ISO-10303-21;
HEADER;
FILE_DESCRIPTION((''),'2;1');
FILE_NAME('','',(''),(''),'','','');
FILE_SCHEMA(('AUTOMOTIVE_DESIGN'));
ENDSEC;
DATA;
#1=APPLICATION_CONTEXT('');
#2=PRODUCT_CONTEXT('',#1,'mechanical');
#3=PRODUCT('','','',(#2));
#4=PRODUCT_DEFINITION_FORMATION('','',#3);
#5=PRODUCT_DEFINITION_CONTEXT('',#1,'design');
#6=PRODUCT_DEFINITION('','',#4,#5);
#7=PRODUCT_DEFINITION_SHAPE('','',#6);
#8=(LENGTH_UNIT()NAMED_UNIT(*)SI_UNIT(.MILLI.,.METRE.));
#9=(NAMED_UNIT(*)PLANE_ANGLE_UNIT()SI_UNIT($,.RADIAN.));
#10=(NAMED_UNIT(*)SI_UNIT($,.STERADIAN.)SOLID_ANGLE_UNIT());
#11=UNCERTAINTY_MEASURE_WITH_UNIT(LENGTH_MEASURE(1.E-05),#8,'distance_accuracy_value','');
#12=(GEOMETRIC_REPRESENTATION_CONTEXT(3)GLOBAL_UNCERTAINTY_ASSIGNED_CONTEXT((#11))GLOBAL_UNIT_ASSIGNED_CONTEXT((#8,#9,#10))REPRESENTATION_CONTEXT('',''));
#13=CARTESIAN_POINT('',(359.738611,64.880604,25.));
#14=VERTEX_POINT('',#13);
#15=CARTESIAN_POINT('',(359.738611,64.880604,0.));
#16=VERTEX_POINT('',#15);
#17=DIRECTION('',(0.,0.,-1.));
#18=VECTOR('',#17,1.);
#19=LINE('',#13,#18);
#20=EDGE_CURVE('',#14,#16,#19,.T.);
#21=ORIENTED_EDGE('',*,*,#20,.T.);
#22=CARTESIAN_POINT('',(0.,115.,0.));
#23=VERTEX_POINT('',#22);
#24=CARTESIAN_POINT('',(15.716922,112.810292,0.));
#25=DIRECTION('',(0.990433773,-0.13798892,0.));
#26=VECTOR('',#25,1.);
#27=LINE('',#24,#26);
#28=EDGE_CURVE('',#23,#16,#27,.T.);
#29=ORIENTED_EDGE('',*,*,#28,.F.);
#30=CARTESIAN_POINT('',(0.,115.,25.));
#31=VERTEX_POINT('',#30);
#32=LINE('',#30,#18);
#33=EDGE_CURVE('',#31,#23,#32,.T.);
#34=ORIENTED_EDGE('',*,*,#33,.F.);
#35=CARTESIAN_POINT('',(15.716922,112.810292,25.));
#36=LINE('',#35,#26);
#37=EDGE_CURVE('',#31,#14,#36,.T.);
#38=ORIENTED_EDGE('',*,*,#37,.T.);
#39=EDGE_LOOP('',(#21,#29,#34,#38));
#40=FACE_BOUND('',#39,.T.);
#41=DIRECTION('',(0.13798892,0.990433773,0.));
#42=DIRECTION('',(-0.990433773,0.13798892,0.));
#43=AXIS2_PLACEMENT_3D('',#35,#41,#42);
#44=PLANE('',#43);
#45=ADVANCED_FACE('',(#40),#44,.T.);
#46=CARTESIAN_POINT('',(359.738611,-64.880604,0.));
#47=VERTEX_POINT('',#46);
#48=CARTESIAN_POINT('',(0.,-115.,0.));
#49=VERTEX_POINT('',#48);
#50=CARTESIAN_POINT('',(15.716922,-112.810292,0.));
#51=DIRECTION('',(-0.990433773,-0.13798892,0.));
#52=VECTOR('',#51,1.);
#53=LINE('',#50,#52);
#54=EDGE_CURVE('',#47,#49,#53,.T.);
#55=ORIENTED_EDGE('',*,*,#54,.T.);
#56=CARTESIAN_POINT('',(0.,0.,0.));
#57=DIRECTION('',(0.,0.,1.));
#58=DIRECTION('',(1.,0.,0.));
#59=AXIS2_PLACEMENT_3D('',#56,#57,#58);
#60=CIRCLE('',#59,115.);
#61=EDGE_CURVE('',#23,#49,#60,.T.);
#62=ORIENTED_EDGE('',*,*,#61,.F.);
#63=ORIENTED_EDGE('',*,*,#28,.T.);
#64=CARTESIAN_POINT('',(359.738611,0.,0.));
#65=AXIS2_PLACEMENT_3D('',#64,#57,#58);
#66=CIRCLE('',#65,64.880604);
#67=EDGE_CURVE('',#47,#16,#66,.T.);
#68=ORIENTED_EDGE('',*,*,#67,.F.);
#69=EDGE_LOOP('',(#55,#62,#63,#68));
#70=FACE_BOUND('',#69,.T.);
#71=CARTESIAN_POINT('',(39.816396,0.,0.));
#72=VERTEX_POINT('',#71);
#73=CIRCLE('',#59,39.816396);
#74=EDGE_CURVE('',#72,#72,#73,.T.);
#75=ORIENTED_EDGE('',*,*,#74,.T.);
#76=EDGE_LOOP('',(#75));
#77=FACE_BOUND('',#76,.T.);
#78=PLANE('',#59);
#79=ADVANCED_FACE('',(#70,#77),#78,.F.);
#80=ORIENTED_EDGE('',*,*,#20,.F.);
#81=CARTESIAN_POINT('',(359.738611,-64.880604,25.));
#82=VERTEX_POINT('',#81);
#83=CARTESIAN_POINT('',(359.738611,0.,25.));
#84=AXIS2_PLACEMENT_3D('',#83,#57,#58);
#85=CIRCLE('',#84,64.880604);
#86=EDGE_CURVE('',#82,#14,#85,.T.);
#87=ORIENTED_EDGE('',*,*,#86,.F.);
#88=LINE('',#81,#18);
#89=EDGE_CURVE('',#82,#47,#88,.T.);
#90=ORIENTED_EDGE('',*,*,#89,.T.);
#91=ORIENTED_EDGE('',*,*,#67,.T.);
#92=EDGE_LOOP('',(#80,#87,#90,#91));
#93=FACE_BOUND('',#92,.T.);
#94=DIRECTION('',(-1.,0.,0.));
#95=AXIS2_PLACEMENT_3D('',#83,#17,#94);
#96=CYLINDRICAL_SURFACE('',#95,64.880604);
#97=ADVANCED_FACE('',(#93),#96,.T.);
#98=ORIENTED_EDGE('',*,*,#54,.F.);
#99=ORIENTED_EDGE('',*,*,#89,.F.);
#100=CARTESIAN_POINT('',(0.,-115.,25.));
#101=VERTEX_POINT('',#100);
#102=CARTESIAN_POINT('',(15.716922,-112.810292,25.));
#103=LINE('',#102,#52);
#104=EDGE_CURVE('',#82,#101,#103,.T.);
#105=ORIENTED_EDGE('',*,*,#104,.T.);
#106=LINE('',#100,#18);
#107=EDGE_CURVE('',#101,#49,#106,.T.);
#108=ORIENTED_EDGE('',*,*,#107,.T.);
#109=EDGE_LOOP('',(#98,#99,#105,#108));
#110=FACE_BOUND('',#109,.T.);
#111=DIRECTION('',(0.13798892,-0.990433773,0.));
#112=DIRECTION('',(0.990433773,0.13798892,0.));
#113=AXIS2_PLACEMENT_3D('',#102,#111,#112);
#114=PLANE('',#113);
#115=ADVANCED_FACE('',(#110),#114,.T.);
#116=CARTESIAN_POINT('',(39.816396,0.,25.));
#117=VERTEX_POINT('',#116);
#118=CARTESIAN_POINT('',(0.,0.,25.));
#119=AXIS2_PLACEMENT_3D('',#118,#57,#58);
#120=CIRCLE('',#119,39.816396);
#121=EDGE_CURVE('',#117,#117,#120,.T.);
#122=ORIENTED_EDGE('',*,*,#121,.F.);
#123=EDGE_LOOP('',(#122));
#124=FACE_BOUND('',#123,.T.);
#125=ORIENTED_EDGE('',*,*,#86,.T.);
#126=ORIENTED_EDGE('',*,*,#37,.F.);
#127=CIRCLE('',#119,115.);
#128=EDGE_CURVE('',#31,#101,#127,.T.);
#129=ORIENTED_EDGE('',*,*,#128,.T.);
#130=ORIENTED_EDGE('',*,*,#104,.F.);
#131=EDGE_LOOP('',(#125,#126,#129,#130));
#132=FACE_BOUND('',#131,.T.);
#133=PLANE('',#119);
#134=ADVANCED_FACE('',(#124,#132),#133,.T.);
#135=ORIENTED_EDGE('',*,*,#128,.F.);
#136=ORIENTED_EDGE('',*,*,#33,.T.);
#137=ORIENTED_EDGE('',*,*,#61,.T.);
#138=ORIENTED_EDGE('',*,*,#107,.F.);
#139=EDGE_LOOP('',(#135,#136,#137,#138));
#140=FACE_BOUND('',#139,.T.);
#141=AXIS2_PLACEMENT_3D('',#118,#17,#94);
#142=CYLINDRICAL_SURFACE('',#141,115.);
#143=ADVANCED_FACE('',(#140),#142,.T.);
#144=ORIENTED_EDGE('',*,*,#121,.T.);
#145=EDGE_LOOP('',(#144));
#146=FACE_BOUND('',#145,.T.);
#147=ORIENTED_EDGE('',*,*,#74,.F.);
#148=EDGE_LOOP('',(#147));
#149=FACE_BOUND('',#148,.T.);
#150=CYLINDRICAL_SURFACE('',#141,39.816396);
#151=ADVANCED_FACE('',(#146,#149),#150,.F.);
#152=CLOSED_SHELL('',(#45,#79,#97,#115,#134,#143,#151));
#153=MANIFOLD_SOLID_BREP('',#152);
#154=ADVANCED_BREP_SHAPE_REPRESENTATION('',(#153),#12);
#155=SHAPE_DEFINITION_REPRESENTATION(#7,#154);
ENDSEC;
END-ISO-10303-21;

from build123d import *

# Parameters (mm, degrees)
SKETCH3_R           = 39.816395618
BOSS_EXTRUDE2_DEPTH = 25


with BuildPart() as part:
    # Sketch3 → Boss-Extrude2 (new body)
    with BuildSketch(Plane.XY):
        with BuildLine():
            Line((0, -115), (359.738611022, -64.880604201))
            ThreePointArc((359.738611022, -64.880604201), (424.619215223, 0), (359.738611022, 64.880604201))
            Line((359.738611022, 64.880604201), (0, 115))
            ThreePointArc((0, 115), (-115, 0), (0, -115))
        make_face()
        Circle(SKETCH3_R, mode=Mode.SUBTRACT)
    extrude(amount=BOSS_EXTRUDE2_DEPTH)


solid = part.part
